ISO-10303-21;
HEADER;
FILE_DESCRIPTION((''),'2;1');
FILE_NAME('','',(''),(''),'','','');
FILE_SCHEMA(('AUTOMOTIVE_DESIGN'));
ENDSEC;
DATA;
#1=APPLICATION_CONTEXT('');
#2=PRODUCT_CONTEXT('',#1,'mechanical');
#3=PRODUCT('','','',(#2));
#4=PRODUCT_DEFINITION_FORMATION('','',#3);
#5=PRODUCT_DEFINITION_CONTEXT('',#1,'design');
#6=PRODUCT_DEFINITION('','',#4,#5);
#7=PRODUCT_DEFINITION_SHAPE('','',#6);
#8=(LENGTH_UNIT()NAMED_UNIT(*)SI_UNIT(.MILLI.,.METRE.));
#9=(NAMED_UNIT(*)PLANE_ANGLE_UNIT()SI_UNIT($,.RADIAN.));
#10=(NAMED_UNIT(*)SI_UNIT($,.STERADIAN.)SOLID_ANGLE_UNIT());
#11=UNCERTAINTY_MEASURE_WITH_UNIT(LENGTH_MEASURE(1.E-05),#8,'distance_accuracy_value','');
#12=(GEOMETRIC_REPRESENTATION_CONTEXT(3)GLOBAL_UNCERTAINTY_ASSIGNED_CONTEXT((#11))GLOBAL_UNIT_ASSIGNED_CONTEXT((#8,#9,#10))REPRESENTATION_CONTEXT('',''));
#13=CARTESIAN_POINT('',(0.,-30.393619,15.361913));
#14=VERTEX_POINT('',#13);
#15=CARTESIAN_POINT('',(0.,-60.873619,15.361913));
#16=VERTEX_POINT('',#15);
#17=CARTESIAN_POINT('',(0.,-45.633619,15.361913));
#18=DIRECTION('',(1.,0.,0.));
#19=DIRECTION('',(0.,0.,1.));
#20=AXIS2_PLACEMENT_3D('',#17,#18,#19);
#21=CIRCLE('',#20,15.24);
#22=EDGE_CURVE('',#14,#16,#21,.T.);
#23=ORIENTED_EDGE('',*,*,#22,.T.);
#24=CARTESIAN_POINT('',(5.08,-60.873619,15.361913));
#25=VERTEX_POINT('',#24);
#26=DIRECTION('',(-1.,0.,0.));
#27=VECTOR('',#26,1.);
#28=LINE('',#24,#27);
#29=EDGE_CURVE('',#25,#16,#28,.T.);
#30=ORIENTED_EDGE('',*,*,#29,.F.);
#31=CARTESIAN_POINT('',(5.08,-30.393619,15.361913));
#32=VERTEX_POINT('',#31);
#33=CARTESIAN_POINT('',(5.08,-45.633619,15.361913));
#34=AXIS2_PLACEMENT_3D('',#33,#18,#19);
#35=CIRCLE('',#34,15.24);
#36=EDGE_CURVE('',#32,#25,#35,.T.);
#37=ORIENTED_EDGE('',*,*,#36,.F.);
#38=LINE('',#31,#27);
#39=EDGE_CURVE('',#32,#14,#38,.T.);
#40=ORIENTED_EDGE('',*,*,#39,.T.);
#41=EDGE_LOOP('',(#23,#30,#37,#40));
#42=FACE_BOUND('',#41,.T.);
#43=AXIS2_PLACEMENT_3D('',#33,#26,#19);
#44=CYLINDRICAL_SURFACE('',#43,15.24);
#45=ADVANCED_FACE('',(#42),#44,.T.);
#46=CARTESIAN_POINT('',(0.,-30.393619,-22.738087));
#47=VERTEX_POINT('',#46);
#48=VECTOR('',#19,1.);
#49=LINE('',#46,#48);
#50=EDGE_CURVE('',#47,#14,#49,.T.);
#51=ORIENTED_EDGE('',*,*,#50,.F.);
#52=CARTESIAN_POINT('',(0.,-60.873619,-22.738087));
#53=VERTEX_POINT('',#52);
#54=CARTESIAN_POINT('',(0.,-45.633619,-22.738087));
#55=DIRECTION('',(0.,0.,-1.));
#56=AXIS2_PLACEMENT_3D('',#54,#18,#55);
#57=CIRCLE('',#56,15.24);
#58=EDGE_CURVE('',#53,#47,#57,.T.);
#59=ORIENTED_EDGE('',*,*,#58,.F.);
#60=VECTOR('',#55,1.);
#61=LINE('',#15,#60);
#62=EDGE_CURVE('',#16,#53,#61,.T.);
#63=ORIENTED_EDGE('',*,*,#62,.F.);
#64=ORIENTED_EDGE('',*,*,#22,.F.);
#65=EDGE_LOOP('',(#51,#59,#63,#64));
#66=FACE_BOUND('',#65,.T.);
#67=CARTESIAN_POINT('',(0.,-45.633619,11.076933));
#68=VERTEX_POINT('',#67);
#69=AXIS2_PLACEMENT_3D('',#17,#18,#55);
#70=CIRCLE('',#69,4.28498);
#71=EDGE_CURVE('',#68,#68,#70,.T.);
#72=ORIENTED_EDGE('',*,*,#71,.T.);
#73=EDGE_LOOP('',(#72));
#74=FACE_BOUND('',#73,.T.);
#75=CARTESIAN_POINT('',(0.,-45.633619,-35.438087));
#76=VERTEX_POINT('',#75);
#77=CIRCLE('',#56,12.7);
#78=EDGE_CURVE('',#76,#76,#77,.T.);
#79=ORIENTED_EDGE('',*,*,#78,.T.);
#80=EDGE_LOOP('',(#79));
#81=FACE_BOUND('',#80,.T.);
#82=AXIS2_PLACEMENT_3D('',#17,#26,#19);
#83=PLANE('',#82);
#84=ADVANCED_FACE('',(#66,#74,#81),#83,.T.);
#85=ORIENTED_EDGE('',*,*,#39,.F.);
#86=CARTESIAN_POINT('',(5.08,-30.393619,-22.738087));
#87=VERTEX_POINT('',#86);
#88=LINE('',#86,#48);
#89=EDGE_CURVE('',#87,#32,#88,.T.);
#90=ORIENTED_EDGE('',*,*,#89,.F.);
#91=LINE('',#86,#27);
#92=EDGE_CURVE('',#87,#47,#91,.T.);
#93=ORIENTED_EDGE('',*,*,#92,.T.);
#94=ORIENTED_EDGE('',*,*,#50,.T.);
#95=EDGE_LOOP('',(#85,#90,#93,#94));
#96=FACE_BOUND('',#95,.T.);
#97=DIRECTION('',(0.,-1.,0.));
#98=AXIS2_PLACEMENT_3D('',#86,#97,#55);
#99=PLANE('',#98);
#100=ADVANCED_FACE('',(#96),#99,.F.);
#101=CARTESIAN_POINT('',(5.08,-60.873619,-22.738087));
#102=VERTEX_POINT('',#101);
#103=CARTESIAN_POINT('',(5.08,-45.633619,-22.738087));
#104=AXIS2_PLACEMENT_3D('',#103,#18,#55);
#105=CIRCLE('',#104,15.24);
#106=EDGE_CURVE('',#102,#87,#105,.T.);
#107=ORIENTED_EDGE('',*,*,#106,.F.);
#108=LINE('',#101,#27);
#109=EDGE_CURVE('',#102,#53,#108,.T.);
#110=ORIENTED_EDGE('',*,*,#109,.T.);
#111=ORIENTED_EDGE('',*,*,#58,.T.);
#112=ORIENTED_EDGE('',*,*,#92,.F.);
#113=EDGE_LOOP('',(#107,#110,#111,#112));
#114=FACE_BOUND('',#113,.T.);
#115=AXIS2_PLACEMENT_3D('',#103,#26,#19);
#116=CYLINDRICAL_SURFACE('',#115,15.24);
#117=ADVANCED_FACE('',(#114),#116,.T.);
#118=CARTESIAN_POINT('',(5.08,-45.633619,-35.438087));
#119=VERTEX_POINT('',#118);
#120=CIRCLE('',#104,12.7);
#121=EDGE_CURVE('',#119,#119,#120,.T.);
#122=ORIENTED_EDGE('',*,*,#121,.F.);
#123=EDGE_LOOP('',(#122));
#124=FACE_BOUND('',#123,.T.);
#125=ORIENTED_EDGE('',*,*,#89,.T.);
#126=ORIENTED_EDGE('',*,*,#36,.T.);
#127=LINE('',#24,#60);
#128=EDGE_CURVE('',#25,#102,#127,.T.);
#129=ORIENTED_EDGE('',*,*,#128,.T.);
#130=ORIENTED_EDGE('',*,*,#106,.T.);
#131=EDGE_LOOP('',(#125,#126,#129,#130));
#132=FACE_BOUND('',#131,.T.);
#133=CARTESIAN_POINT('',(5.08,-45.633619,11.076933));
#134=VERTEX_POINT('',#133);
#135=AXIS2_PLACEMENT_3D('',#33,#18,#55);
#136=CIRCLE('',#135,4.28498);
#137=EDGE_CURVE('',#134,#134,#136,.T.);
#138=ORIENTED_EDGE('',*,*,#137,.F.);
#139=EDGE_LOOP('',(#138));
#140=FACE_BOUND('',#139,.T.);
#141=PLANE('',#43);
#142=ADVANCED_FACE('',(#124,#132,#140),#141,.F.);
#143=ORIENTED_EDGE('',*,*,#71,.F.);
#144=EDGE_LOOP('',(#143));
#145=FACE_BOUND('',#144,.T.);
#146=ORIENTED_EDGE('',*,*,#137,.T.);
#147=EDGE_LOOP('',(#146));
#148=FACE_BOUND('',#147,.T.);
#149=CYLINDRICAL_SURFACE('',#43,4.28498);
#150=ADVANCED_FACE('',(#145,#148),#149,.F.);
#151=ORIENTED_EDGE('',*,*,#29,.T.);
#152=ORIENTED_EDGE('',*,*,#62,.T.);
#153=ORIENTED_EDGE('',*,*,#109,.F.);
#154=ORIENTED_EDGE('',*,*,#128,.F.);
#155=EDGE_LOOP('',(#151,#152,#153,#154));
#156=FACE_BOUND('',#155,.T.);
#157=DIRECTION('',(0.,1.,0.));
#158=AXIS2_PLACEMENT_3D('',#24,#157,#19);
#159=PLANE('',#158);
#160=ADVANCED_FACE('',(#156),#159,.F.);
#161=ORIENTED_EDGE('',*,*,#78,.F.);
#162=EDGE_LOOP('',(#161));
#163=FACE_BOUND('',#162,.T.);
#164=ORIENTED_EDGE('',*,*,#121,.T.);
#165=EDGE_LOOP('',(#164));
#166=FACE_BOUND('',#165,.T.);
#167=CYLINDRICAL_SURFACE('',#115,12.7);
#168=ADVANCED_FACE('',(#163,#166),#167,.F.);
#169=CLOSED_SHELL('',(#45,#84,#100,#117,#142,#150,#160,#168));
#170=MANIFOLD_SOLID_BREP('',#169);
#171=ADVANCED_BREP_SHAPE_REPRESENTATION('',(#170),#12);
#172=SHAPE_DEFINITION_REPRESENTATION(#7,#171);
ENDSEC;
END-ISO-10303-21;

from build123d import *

# Parameters (mm, degrees)
SKETCH1_R           = 12.7
SKETCH1_R_2         = 4.28498
BOSS_EXTRUDE1_DEPTH = 5.079999975


with BuildPart() as part:
    # Sketch1 → Boss-Extrude1 (new body)
    with BuildSketch(Plane.YZ):
        with BuildLine():
            Line((-60.873619371, 15.361912765), (-60.873619371, -22.738087235))
            ThreePointArc((-60.873619371, -22.738087235), (-45.633619371, -37.978087235), (-30.393619371, -22.738087235))
            Line((-30.393619371, -22.738087235), (-30.393619371, 15.361912765))
            ThreePointArc((-30.393619371, 15.361912765), (-45.633619371, 30.601912765), (-60.873619371, 15.361912765))
        make_face()
        with Locations(Location((-45.633619371, -22.738087235, 0), (0, 0, 270))):
            Circle(SKETCH1_R, mode=Mode.SUBTRACT)
        with Locations(Location((-45.633619371, 15.361912765, 0), (0, 0, 270))):
            Circle(SKETCH1_R_2, mode=Mode.SUBTRACT)
    extrude(amount=BOSS_EXTRUDE1_DEPTH)


solid = part.part
